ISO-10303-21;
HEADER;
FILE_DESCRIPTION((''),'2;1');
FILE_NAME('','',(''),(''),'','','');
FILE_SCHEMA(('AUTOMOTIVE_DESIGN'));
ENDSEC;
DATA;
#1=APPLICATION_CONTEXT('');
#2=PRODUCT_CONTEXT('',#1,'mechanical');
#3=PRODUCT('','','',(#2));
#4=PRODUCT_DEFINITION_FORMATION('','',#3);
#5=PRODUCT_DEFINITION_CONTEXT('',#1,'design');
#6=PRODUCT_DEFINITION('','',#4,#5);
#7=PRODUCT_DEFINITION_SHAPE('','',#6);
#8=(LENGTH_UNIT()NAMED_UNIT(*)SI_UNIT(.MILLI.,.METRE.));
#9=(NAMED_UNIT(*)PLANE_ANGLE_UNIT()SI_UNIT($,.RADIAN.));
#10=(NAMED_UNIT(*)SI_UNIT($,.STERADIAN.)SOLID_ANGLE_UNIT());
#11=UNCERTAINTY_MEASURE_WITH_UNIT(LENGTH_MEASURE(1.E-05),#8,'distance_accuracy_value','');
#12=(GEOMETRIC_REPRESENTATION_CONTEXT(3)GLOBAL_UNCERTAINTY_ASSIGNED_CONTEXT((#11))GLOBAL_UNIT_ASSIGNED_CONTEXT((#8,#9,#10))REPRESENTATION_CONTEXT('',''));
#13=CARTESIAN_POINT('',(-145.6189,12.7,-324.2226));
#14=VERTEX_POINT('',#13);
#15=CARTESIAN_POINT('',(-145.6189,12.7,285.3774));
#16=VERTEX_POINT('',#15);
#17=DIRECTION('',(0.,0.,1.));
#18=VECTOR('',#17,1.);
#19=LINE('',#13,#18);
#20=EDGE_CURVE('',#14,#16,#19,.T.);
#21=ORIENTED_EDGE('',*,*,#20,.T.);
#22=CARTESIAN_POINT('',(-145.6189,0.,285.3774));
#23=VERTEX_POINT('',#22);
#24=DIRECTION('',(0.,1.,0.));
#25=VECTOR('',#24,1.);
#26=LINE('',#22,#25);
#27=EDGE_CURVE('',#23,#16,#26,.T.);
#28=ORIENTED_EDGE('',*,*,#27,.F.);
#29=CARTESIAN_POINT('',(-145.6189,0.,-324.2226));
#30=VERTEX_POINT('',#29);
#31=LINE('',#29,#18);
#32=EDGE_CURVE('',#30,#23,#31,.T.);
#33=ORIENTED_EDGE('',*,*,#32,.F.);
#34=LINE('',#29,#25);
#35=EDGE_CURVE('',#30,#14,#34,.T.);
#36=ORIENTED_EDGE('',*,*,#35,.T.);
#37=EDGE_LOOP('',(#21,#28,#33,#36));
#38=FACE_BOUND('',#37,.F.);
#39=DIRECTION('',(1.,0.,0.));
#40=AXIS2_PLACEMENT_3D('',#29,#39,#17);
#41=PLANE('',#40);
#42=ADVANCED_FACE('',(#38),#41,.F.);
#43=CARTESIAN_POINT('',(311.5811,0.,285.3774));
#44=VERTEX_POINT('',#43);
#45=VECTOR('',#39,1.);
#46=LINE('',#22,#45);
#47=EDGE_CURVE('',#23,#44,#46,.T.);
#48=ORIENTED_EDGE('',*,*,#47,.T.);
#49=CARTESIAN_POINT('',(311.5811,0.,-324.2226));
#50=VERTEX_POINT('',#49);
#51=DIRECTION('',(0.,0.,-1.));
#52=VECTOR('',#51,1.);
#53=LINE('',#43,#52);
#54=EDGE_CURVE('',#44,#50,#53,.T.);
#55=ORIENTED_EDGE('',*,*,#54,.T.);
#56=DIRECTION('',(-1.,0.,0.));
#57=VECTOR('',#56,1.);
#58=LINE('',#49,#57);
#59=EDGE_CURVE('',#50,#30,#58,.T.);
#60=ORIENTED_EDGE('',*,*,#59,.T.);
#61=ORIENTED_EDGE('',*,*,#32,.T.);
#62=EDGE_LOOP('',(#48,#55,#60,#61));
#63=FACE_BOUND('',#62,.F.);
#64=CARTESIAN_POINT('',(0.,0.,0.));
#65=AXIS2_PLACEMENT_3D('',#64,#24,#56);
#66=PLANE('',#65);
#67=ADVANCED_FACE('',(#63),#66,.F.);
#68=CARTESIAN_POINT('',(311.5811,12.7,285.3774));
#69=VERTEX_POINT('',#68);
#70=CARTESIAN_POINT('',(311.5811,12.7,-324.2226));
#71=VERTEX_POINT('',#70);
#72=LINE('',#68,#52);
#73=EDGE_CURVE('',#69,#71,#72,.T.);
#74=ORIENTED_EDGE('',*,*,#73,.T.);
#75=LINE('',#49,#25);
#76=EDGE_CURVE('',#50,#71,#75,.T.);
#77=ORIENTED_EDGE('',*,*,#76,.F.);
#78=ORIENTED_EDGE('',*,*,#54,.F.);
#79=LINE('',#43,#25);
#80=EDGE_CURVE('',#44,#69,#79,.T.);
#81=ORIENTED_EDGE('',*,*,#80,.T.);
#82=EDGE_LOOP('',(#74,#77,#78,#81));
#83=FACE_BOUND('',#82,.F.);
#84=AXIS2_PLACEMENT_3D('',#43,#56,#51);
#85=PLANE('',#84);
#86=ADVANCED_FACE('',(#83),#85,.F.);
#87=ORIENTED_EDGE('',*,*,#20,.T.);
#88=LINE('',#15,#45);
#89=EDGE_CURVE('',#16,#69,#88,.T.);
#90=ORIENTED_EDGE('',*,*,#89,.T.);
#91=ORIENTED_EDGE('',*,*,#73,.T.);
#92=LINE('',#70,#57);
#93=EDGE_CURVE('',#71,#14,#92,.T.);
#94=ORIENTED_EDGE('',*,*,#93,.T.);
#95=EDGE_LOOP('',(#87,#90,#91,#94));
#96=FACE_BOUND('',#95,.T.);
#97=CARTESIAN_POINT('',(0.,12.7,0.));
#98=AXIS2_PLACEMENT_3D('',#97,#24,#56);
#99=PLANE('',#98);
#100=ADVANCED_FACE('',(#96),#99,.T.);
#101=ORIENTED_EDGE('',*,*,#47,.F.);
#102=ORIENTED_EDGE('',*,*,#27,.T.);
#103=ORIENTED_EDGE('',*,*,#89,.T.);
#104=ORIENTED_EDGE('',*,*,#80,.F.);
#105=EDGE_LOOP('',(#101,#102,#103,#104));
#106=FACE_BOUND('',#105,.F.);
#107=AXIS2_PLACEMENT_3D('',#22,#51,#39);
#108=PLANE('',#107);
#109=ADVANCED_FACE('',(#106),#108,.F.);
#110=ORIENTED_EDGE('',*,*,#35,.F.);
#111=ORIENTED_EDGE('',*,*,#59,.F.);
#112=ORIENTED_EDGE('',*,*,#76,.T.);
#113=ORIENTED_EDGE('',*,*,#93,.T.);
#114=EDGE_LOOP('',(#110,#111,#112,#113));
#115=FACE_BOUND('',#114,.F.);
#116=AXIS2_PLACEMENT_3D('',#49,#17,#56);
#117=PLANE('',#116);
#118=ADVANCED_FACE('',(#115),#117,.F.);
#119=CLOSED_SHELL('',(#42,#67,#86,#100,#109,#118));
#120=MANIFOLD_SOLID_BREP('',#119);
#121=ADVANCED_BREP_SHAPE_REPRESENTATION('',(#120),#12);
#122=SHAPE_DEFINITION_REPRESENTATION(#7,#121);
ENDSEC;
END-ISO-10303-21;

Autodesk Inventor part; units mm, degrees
ref_plane "YZ Plane" through (0, 0, 0) normal (1, 0, 0) x (0, 1, 0)
ref_plane "XZ Plane" through (0, 0, 0) normal (0, 1, 0) x (-1, 0, 0)
ref_plane "XY Plane" through (0, 0, 0) normal (0, 0, 1) x (1, 0, 0)
sketch "Sketch1" plane through (0, 0, 0) normal (0, 1, 0) x (-1, 0, 0)
  line L0 (145.6189, 285.3774) -> (-311.5811, 285.3774)
  line L1 (-311.5811, 285.3774) -> (-311.5811, -324.2226)
  line L2 (-311.5811, -324.2226) -> (145.6189, -324.2226)
  line L3 (145.6189, -324.2226) -> (145.6189, 285.3774)
  point P0 (0, 0)
  dimension "d2" = 457.2
  dimension "d3" = 609.6
extrude "Extrusion1" add sketch "Sketch1" along normal blind 12.7
sketch "Sketch2" plane through (0, 12.7, 0) normal (0, 1, 0) x (1, 0, 0)
  point P0 (0, 0)
sketch "Sketch3" plane through (0, 12.7, 0) normal (0, 1, 0) x (1, 0, 0)
  point P0 (0, 0)
sketch "Sketch4" plane through (0, 12.7, 0) normal (0, 1, 0) x (1, 0, 0)
  point P0 (0, 0)
properties part number "Polycarbonate"
